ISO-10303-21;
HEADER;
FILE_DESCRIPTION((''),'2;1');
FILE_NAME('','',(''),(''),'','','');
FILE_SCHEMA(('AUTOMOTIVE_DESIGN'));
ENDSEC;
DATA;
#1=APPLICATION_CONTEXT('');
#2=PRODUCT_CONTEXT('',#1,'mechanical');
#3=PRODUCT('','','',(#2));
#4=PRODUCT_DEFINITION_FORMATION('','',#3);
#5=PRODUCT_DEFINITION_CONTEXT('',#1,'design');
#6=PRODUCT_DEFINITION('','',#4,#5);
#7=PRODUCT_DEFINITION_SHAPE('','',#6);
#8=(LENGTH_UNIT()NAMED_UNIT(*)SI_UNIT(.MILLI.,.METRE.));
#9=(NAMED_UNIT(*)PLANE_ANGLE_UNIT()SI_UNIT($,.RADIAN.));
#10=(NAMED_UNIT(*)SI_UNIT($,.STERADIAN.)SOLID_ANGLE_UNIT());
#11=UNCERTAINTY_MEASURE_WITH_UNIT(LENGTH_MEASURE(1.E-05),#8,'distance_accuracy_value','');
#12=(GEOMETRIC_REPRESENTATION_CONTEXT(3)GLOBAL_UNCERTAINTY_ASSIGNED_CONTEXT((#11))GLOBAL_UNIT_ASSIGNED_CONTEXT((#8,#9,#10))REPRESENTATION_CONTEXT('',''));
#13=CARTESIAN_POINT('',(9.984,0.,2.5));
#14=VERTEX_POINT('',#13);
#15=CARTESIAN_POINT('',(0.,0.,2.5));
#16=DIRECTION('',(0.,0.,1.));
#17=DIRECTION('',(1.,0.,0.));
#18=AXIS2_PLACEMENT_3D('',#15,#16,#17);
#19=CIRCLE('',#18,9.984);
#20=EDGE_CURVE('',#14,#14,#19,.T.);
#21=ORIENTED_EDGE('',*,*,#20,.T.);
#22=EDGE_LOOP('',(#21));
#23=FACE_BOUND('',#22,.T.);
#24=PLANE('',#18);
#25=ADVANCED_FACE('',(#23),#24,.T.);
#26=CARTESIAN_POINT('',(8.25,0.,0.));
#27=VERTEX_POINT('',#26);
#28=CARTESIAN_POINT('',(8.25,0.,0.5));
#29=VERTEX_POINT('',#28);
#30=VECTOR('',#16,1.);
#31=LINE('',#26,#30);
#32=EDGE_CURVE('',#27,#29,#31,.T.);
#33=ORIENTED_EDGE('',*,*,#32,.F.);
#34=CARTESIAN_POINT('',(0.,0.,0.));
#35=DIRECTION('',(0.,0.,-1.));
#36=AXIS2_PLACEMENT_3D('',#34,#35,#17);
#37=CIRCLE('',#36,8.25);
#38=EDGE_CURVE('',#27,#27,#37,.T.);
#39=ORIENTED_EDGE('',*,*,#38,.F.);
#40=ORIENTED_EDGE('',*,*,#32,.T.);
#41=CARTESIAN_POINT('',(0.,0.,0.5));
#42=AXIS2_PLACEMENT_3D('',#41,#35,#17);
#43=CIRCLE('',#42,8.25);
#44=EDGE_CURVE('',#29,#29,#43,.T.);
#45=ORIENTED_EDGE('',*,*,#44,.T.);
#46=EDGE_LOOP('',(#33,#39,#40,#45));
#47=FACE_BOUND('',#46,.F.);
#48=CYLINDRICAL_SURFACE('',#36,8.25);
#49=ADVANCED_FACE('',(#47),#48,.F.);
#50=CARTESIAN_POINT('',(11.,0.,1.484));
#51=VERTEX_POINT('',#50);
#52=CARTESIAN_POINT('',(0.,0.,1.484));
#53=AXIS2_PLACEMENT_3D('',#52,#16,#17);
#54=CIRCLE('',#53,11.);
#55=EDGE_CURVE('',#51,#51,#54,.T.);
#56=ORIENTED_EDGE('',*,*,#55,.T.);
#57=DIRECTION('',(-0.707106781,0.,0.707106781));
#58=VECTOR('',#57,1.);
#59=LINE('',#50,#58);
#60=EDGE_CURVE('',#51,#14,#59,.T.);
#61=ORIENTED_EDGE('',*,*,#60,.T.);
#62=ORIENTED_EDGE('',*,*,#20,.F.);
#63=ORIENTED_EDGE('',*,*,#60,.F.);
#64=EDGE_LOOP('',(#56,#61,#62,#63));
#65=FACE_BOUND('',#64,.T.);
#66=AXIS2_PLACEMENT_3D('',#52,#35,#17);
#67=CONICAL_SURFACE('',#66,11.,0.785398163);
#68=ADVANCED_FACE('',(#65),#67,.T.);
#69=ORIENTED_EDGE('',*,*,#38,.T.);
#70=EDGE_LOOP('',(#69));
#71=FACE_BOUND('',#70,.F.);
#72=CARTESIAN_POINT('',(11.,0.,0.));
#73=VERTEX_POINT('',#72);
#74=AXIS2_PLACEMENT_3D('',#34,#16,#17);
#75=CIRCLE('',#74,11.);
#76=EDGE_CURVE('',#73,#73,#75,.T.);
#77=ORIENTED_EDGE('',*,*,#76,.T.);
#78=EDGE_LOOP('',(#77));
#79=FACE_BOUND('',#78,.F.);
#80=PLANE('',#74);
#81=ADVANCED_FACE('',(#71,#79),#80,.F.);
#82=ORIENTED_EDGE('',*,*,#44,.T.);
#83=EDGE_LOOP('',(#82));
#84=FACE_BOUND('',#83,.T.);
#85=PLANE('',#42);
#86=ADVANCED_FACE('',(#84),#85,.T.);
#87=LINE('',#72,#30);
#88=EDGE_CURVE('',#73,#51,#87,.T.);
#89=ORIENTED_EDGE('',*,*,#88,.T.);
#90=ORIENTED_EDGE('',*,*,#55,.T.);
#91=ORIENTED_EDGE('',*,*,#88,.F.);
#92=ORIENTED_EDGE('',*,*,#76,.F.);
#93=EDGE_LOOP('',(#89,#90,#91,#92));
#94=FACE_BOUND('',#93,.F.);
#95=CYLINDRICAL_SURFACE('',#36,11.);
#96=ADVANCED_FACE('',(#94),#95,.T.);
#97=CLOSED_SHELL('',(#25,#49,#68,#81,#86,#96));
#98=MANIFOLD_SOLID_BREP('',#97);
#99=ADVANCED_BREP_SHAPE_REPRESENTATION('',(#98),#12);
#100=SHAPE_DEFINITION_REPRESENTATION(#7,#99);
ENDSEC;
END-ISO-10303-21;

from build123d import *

# Parameters (mm, degrees)
F0_R     = 11
F1_DEPTH = 2.5
F2_SIZE  = 1.016
F3_R     = 8.25
F4_DEPTH = 0.5


with BuildPart() as f1:
    # F0 (on Top) → F1 (new body)
    with BuildSketch(Plane.XY):
        Circle(F0_R)
    extrude(amount=F1_DEPTH)

    # F2
    f2_edges = [f1.edges().sort_by_distance(p)[0] for p in [
        (-11, 0, 2.5),
    ]]
    chamfer(f2_edges, length=F2_SIZE)

    # F3 (on face) → F4 (cut)
    with BuildSketch(Plane(origin=(0, 0, 0), x_dir=(1, 0, 0), z_dir=(0, 0, -1))):
        Circle(F3_R)
    extrude(amount=-F4_DEPTH, mode=Mode.SUBTRACT)


solid = f1.part
